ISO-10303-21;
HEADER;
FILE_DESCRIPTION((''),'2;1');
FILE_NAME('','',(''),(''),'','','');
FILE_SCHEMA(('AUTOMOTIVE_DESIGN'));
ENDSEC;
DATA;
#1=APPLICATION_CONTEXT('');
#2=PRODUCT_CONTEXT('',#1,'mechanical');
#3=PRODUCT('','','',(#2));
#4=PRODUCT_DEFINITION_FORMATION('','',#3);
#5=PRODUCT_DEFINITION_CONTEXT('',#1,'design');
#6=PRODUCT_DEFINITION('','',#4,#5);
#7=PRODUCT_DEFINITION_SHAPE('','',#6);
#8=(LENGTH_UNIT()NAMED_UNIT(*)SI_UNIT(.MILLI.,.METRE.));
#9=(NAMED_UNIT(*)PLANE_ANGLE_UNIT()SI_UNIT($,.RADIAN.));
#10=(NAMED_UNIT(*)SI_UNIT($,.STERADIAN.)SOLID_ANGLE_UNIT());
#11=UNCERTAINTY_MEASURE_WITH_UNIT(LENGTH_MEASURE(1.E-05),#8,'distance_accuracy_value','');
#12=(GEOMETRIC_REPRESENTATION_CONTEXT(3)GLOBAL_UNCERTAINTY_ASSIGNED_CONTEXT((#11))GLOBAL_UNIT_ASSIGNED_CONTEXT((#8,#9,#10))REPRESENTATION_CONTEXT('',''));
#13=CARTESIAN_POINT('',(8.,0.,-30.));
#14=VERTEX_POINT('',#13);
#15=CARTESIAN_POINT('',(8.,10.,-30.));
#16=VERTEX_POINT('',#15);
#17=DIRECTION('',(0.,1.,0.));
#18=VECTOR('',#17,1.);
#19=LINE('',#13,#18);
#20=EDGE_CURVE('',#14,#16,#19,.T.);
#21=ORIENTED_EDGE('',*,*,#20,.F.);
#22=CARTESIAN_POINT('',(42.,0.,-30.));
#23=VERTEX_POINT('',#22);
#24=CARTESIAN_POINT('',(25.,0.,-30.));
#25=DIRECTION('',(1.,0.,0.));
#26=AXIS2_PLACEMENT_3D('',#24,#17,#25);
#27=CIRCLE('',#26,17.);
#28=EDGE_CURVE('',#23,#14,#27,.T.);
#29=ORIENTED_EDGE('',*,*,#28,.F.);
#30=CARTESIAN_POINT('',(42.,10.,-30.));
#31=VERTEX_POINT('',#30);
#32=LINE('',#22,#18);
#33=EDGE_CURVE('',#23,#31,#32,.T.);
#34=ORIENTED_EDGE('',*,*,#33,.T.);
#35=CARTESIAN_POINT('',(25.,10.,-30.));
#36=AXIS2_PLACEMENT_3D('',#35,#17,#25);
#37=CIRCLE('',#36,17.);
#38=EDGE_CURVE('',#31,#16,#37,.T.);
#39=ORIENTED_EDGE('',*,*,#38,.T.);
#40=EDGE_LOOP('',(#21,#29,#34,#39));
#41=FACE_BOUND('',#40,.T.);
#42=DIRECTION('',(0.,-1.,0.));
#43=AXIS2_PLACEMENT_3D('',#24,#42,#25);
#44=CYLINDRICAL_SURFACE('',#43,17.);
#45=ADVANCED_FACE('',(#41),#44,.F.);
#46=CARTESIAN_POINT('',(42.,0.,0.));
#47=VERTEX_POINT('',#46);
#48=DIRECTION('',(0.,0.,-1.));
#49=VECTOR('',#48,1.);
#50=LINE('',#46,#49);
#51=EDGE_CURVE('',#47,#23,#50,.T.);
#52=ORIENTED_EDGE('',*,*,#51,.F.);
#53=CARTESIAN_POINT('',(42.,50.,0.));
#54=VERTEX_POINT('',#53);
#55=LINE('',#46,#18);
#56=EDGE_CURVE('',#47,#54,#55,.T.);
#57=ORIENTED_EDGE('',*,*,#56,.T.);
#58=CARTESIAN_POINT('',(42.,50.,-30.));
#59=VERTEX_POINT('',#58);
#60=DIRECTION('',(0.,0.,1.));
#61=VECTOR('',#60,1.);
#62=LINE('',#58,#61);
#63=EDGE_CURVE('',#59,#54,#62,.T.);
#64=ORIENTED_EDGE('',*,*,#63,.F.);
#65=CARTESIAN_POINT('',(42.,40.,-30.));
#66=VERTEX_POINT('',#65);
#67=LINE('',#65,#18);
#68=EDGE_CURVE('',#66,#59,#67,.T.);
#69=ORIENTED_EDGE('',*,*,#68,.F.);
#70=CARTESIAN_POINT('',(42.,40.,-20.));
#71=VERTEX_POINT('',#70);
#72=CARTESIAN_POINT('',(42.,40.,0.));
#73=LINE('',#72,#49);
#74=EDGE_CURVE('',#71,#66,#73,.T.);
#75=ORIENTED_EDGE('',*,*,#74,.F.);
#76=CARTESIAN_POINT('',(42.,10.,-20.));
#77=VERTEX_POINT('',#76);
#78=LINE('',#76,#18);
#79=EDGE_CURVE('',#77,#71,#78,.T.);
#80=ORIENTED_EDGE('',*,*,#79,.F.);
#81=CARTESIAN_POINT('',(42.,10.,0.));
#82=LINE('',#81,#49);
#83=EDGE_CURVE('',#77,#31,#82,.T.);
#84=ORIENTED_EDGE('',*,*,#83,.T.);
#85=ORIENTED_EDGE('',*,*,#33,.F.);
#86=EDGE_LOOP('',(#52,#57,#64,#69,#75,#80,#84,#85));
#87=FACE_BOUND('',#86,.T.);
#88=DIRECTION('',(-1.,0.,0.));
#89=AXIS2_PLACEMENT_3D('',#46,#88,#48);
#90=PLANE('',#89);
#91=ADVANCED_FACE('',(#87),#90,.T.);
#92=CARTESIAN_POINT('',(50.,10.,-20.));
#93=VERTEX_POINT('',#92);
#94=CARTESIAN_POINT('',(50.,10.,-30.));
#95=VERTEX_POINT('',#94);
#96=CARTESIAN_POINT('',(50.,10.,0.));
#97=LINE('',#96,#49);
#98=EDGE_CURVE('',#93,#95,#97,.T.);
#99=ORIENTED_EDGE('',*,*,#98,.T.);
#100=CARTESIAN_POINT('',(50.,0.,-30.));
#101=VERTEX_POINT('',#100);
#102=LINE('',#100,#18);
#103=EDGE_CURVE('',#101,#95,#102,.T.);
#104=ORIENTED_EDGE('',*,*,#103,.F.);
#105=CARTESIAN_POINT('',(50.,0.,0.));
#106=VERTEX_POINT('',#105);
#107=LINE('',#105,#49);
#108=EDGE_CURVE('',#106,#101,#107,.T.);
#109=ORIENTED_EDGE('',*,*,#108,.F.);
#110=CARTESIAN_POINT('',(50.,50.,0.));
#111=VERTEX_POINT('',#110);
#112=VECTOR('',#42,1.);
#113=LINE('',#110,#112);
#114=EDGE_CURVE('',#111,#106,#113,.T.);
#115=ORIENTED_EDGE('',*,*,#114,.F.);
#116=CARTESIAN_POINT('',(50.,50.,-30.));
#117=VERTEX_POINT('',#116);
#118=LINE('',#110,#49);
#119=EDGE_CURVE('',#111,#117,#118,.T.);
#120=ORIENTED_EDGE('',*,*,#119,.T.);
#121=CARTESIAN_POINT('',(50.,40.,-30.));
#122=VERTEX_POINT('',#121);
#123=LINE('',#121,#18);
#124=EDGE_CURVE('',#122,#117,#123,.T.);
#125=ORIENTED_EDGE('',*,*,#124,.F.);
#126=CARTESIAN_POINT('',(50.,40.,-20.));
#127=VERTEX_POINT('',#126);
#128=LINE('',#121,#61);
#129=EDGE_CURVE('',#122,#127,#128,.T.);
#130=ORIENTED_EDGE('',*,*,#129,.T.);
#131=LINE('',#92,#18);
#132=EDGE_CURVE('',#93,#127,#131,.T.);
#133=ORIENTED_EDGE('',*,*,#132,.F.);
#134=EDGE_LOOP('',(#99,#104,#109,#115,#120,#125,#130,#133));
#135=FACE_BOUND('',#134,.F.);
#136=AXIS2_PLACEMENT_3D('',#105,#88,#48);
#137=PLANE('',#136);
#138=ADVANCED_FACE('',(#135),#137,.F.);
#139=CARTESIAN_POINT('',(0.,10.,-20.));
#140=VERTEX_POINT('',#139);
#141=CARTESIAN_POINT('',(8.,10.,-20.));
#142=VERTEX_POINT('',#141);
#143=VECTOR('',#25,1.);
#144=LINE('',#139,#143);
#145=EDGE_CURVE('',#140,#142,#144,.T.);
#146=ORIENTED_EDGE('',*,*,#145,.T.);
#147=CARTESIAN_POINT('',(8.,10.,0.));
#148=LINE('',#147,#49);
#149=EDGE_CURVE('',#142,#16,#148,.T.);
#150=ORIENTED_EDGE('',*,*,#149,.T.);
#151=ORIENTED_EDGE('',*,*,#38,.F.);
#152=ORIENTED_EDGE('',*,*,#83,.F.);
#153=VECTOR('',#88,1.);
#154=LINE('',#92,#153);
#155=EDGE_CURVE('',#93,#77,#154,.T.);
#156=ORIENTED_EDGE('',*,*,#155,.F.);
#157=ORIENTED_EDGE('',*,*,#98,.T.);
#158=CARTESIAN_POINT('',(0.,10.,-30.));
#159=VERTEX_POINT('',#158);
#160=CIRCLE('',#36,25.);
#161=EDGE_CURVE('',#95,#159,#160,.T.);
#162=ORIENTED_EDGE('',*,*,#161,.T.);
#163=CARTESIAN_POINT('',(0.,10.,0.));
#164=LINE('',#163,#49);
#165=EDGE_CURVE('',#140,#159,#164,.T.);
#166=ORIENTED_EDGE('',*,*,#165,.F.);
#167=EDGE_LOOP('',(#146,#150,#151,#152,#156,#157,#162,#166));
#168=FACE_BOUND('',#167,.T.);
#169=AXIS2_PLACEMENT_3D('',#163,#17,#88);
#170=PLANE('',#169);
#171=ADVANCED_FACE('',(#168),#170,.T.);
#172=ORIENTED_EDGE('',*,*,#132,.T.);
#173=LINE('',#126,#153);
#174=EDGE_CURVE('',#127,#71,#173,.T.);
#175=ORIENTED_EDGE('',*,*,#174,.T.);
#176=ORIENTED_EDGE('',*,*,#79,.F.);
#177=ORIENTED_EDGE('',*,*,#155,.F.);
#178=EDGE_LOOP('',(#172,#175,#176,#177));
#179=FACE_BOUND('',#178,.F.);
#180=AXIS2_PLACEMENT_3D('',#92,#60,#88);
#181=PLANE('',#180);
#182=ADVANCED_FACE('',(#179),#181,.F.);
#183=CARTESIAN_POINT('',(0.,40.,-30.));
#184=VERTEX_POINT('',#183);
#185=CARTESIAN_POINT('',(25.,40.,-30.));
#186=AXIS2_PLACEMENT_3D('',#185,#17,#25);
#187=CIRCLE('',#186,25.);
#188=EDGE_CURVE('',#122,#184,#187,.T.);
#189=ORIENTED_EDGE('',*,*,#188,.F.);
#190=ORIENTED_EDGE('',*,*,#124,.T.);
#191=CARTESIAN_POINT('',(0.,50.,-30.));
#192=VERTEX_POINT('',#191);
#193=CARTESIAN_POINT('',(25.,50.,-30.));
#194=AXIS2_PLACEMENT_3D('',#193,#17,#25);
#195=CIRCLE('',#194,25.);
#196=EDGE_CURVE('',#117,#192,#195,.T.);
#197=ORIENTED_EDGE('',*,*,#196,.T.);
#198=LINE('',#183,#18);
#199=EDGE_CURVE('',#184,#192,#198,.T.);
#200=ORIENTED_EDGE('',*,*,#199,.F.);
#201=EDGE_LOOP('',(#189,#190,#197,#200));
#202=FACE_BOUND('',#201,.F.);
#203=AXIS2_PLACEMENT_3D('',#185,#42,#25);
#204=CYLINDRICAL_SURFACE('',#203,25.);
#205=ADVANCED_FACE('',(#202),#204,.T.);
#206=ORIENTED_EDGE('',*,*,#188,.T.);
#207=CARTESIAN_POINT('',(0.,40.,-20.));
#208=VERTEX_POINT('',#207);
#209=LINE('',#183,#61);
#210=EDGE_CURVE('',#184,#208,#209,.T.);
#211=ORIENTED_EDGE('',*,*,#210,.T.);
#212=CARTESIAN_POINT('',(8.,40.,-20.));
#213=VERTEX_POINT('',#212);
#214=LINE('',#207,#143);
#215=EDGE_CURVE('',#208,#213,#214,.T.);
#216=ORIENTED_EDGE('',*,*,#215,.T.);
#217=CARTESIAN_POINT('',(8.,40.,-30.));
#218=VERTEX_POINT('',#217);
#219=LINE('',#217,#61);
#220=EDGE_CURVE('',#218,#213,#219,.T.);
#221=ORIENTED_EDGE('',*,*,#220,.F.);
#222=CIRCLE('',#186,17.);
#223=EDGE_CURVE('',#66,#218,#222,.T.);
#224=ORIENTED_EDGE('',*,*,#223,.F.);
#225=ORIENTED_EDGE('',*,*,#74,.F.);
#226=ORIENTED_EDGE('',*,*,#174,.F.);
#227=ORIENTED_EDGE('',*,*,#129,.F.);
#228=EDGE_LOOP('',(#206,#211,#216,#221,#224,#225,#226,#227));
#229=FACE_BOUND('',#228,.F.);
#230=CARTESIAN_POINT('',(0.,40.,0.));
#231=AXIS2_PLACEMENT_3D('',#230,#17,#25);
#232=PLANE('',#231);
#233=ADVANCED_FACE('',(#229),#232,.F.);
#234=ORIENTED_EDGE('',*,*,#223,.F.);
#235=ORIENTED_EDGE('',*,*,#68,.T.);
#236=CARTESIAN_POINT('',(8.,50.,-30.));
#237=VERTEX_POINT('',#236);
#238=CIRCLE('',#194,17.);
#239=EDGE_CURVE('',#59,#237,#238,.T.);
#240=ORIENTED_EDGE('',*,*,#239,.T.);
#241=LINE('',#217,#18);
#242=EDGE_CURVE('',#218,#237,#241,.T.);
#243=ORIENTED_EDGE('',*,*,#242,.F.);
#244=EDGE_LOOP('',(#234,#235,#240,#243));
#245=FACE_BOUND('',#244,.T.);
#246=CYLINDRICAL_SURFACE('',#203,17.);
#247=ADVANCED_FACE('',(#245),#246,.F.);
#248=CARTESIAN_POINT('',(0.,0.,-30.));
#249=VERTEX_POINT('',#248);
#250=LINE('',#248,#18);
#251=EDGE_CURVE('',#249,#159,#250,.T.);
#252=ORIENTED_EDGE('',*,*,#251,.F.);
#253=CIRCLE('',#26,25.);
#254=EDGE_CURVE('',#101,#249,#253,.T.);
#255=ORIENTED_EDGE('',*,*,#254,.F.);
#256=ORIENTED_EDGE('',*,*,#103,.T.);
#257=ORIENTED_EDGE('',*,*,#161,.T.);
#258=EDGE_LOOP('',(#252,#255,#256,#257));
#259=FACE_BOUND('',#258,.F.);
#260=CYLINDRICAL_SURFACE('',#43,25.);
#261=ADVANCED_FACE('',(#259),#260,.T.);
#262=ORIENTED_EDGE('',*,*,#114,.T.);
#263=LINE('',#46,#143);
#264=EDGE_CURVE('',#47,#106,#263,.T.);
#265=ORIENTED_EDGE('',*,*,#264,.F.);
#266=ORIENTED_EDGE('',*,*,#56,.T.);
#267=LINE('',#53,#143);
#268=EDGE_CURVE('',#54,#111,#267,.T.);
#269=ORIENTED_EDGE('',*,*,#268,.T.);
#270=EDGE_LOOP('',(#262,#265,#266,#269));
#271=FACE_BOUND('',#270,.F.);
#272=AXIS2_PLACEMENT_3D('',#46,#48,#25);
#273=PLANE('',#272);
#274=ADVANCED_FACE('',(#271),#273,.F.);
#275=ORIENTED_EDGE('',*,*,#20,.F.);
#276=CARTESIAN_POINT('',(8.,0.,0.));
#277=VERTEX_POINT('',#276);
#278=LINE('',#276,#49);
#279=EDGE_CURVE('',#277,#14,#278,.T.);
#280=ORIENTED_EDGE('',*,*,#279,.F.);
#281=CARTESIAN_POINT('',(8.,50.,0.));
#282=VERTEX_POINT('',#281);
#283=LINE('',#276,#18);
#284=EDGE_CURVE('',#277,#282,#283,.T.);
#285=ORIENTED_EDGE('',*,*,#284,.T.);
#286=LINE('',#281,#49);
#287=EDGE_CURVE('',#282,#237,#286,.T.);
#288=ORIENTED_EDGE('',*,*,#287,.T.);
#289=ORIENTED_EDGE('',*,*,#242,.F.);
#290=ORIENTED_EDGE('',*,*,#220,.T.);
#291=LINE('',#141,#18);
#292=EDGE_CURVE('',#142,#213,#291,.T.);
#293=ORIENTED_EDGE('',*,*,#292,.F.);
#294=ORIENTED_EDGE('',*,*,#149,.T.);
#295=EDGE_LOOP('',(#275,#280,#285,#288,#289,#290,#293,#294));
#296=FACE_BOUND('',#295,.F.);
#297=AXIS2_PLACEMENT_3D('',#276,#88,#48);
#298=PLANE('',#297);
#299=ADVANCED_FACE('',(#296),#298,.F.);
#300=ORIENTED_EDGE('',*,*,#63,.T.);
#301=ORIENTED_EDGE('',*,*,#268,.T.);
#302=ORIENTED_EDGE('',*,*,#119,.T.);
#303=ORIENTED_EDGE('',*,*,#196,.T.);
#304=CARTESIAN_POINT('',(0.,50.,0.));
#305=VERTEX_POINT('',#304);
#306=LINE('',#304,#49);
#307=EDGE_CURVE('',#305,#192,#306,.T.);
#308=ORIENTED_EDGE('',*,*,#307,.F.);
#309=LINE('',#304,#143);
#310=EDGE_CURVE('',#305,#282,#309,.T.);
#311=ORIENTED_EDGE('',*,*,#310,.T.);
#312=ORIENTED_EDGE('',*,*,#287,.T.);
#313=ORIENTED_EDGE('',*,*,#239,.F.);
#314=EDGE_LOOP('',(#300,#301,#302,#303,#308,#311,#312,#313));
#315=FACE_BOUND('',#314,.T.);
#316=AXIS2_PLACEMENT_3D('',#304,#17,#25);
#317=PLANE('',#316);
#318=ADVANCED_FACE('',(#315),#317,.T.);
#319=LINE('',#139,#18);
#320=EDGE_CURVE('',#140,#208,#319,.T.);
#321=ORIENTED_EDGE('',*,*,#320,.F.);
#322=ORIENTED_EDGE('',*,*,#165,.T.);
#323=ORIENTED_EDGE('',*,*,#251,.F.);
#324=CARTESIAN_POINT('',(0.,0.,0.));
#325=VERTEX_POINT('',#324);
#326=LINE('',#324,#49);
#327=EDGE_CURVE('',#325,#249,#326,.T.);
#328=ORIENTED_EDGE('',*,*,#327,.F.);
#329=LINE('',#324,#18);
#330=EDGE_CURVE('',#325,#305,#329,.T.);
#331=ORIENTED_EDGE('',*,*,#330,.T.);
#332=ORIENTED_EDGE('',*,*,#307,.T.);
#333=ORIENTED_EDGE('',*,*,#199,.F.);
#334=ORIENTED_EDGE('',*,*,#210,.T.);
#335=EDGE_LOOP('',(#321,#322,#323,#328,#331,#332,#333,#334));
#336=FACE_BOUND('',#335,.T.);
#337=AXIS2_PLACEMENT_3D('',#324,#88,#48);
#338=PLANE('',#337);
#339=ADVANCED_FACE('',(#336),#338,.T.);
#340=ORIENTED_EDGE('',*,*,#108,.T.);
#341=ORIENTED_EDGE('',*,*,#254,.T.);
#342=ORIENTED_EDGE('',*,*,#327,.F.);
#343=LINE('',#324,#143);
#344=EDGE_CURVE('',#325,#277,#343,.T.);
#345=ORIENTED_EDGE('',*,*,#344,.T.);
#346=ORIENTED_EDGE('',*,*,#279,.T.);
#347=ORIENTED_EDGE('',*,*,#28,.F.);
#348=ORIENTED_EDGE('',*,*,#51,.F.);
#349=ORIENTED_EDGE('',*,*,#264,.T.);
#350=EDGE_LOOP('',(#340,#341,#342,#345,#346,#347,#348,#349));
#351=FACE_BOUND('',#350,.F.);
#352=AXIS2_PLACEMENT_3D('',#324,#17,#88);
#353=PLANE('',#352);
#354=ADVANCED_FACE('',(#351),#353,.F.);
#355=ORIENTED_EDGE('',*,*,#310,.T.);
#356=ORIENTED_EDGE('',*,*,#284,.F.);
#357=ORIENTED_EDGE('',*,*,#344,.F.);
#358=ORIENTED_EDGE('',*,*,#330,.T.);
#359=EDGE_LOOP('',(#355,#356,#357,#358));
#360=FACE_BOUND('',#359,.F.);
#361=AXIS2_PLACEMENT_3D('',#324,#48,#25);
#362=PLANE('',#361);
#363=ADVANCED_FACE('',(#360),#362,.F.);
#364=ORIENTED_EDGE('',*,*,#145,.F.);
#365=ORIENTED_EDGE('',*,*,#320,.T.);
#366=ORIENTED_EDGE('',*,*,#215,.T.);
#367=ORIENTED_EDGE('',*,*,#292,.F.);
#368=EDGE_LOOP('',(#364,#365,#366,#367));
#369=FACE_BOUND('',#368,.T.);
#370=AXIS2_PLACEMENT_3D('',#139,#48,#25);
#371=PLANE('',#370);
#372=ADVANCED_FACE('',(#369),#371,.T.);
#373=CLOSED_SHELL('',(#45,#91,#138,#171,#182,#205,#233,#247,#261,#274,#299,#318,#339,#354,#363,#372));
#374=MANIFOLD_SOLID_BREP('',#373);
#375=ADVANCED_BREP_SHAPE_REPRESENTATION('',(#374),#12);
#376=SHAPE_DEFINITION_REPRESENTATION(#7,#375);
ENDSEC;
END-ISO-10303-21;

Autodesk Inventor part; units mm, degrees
ref_plane "YZ Plane" through (0, 0, 0) normal (1, 0, 0) x (0, 1, 0)
ref_plane "XZ Plane" through (0, 0, 0) normal (0, 1, 0) x (-1, 0, 0)
ref_plane "XY Plane" through (0, 0, 0) normal (0, 0, 1) x (1, 0, 0)
sketch "草圖1" plane through (0, 0, 0) normal (0, 1, 0) x (-1, 0, 0)
  line L0 (0, 0) -> (-8, 0)
  line L1 (-8, 0) -> (-8, -30)
  line L2 (0, 0) -> (0, -30)
  arc A0 (-42, -30) -> (-8, -30) centre (-25, -30) ccw
  arc A1 (-50, -30) -> (0, -30) centre (-25, -30) ccw
  line L3 (6.1696, -30) -> (-69.0697, -30) construction
  line L4 (-25, -30) -> (-25, -20.8656)
  line L5 (-42, 0) -> (-42, -30)
  line L6 (-50, 0) -> (-50, -30)
  line L7 (-42, 0) -> (-50, 0)
  dimension "d8" = 30
  dimension "d9" = 8
  dimension "d10" = 25
  dimension "d11" = 17
extrude "擠出1" add sketch "草圖1" along normal blind 10
sketch "草圖2" plane through (0, 10, 0) normal (0, 1, 0) x (1, 0, 0)
  line L0 (0, 30) -> (0, 0) projected
  line L1 (0, 0) -> (0, 20)
  line L2 (0, 20) -> (8, 20)
  line L3 (8, 0) -> (8, 30) projected
  line L4 (8, 20) -> (8, 0)
  line L5 (8, 0) -> (0, 0)
  arc A0 (42, 30) -> (8, 30) centre (25, 30) ccw projected
  line L6 (25, 30) -> (25, 60.7006)
  line L7 (50, 20) -> (50, 0)
  line L8 (50, 0) -> (50, 20)
  line L9 (50, 20) -> (42, 20)
  line L10 (42, 0) -> (42, 20)
  line L11 (42, 20) -> (42, 0)
  line L12 (42, 0) -> (50, 0)
  point P0 (50, 30)
  dimension "d14" = 20
extrude "擠出2" add sketch "草圖2" along normal blind 30
sketch "草圖3" plane through (0, 40, 0) normal (0, 1, 0) x (1, 0, 0)
  line L0 (0, 20) -> (8, 20) projected
  line L1 (8, 20) -> (8, 30) projected
  arc A0 (42, 30) -> (8, 30) centre (25, 30) ccw projected
  line L2 (42, 30) -> (42, 20) projected
  line L3 (42, 20) -> (50, 20) projected
  line L4 (50, 20) -> (50, 30) projected
  arc A1 (50, 30) -> (0, 30) centre (25, 30) ccw projected
  line L5 (0, 30) -> (0, 20) projected
  line L6 (0, 0) -> (8, 0) projected
  line L7 (8, 0) -> (8, 20) projected
  line L8 (8, 20) -> (0, 20) projected
  line L9 (0, 20) -> (0, 0) projected
  line L10 (50, 0) -> (50, 20) projected
  line L11 (50, 20) -> (42, 20) projected
  line L12 (42, 20) -> (42, 0) projected
  line L13 (42, 0) -> (50, 0) projected
extrude "擠出3" add sketch "草圖3" along normal blind 10
properties part number "410571040示範三"
